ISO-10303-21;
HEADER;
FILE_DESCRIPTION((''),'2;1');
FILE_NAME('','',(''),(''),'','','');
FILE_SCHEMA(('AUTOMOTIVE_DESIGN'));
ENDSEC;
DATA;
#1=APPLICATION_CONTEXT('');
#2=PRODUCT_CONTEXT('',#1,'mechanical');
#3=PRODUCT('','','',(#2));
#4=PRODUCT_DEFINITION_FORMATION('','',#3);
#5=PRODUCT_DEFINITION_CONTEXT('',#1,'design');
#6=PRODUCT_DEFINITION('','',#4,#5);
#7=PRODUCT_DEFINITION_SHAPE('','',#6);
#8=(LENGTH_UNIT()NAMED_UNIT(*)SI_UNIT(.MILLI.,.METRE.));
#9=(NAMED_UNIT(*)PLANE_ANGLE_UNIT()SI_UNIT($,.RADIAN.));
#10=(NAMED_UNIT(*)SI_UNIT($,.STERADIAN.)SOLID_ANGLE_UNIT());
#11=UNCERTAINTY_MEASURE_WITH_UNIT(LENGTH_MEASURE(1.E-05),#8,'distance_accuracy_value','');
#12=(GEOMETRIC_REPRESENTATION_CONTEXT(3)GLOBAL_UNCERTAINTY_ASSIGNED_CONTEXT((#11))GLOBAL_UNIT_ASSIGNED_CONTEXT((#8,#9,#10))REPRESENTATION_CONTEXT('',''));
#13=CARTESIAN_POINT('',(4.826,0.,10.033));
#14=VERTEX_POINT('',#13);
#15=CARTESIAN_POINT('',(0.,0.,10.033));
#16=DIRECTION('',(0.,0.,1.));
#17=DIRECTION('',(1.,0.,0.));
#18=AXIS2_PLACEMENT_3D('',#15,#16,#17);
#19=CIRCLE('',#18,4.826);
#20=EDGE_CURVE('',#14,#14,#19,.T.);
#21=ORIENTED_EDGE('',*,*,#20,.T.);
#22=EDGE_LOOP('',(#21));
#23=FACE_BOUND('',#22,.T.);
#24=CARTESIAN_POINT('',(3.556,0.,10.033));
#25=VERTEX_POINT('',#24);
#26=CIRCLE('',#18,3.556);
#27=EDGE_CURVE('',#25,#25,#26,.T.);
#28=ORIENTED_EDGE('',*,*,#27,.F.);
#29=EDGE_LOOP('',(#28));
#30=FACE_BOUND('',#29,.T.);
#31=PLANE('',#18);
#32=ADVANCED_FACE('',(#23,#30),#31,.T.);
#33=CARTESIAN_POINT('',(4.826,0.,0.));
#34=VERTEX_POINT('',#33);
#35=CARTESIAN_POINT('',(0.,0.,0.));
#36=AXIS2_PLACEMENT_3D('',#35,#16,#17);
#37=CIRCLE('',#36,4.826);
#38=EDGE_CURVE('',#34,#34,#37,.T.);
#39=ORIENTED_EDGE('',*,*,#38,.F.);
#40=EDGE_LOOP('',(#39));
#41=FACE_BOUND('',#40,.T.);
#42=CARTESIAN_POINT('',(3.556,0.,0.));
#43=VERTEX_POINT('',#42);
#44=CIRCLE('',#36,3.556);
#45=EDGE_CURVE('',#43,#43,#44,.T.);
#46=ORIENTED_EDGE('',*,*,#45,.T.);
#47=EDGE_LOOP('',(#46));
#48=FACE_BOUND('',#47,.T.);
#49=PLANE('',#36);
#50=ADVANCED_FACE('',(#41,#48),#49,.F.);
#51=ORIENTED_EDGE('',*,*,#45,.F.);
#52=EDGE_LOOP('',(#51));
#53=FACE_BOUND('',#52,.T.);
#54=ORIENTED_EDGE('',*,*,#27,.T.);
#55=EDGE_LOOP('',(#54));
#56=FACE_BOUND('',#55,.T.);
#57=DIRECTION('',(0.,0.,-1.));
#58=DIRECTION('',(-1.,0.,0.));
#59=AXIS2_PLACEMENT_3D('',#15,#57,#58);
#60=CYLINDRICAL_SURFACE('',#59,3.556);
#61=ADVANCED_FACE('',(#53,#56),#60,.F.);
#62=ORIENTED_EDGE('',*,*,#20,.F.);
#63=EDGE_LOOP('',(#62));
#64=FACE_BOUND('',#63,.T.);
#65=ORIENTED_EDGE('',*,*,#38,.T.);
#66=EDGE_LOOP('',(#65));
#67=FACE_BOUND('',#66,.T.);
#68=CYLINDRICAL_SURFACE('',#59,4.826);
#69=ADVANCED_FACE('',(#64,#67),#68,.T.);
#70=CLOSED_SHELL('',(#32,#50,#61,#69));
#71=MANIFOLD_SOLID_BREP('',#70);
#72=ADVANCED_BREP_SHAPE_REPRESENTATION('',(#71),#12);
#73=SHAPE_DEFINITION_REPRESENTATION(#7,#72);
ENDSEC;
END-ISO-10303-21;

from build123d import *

# Parameters (mm, degrees)
SKETCH1_R           = 4.826
SKETCH1_R_2         = 3.556
BOSS_EXTRUDE1_DEPTH = 10.033


with BuildPart() as part:
    # Sketch1 → Boss-Extrude1 (new body)
    with BuildSketch(Plane.XY):
        Circle(SKETCH1_R)
        Circle(SKETCH1_R_2, mode=Mode.SUBTRACT)
    extrude(amount=BOSS_EXTRUDE1_DEPTH)


solid = part.part
